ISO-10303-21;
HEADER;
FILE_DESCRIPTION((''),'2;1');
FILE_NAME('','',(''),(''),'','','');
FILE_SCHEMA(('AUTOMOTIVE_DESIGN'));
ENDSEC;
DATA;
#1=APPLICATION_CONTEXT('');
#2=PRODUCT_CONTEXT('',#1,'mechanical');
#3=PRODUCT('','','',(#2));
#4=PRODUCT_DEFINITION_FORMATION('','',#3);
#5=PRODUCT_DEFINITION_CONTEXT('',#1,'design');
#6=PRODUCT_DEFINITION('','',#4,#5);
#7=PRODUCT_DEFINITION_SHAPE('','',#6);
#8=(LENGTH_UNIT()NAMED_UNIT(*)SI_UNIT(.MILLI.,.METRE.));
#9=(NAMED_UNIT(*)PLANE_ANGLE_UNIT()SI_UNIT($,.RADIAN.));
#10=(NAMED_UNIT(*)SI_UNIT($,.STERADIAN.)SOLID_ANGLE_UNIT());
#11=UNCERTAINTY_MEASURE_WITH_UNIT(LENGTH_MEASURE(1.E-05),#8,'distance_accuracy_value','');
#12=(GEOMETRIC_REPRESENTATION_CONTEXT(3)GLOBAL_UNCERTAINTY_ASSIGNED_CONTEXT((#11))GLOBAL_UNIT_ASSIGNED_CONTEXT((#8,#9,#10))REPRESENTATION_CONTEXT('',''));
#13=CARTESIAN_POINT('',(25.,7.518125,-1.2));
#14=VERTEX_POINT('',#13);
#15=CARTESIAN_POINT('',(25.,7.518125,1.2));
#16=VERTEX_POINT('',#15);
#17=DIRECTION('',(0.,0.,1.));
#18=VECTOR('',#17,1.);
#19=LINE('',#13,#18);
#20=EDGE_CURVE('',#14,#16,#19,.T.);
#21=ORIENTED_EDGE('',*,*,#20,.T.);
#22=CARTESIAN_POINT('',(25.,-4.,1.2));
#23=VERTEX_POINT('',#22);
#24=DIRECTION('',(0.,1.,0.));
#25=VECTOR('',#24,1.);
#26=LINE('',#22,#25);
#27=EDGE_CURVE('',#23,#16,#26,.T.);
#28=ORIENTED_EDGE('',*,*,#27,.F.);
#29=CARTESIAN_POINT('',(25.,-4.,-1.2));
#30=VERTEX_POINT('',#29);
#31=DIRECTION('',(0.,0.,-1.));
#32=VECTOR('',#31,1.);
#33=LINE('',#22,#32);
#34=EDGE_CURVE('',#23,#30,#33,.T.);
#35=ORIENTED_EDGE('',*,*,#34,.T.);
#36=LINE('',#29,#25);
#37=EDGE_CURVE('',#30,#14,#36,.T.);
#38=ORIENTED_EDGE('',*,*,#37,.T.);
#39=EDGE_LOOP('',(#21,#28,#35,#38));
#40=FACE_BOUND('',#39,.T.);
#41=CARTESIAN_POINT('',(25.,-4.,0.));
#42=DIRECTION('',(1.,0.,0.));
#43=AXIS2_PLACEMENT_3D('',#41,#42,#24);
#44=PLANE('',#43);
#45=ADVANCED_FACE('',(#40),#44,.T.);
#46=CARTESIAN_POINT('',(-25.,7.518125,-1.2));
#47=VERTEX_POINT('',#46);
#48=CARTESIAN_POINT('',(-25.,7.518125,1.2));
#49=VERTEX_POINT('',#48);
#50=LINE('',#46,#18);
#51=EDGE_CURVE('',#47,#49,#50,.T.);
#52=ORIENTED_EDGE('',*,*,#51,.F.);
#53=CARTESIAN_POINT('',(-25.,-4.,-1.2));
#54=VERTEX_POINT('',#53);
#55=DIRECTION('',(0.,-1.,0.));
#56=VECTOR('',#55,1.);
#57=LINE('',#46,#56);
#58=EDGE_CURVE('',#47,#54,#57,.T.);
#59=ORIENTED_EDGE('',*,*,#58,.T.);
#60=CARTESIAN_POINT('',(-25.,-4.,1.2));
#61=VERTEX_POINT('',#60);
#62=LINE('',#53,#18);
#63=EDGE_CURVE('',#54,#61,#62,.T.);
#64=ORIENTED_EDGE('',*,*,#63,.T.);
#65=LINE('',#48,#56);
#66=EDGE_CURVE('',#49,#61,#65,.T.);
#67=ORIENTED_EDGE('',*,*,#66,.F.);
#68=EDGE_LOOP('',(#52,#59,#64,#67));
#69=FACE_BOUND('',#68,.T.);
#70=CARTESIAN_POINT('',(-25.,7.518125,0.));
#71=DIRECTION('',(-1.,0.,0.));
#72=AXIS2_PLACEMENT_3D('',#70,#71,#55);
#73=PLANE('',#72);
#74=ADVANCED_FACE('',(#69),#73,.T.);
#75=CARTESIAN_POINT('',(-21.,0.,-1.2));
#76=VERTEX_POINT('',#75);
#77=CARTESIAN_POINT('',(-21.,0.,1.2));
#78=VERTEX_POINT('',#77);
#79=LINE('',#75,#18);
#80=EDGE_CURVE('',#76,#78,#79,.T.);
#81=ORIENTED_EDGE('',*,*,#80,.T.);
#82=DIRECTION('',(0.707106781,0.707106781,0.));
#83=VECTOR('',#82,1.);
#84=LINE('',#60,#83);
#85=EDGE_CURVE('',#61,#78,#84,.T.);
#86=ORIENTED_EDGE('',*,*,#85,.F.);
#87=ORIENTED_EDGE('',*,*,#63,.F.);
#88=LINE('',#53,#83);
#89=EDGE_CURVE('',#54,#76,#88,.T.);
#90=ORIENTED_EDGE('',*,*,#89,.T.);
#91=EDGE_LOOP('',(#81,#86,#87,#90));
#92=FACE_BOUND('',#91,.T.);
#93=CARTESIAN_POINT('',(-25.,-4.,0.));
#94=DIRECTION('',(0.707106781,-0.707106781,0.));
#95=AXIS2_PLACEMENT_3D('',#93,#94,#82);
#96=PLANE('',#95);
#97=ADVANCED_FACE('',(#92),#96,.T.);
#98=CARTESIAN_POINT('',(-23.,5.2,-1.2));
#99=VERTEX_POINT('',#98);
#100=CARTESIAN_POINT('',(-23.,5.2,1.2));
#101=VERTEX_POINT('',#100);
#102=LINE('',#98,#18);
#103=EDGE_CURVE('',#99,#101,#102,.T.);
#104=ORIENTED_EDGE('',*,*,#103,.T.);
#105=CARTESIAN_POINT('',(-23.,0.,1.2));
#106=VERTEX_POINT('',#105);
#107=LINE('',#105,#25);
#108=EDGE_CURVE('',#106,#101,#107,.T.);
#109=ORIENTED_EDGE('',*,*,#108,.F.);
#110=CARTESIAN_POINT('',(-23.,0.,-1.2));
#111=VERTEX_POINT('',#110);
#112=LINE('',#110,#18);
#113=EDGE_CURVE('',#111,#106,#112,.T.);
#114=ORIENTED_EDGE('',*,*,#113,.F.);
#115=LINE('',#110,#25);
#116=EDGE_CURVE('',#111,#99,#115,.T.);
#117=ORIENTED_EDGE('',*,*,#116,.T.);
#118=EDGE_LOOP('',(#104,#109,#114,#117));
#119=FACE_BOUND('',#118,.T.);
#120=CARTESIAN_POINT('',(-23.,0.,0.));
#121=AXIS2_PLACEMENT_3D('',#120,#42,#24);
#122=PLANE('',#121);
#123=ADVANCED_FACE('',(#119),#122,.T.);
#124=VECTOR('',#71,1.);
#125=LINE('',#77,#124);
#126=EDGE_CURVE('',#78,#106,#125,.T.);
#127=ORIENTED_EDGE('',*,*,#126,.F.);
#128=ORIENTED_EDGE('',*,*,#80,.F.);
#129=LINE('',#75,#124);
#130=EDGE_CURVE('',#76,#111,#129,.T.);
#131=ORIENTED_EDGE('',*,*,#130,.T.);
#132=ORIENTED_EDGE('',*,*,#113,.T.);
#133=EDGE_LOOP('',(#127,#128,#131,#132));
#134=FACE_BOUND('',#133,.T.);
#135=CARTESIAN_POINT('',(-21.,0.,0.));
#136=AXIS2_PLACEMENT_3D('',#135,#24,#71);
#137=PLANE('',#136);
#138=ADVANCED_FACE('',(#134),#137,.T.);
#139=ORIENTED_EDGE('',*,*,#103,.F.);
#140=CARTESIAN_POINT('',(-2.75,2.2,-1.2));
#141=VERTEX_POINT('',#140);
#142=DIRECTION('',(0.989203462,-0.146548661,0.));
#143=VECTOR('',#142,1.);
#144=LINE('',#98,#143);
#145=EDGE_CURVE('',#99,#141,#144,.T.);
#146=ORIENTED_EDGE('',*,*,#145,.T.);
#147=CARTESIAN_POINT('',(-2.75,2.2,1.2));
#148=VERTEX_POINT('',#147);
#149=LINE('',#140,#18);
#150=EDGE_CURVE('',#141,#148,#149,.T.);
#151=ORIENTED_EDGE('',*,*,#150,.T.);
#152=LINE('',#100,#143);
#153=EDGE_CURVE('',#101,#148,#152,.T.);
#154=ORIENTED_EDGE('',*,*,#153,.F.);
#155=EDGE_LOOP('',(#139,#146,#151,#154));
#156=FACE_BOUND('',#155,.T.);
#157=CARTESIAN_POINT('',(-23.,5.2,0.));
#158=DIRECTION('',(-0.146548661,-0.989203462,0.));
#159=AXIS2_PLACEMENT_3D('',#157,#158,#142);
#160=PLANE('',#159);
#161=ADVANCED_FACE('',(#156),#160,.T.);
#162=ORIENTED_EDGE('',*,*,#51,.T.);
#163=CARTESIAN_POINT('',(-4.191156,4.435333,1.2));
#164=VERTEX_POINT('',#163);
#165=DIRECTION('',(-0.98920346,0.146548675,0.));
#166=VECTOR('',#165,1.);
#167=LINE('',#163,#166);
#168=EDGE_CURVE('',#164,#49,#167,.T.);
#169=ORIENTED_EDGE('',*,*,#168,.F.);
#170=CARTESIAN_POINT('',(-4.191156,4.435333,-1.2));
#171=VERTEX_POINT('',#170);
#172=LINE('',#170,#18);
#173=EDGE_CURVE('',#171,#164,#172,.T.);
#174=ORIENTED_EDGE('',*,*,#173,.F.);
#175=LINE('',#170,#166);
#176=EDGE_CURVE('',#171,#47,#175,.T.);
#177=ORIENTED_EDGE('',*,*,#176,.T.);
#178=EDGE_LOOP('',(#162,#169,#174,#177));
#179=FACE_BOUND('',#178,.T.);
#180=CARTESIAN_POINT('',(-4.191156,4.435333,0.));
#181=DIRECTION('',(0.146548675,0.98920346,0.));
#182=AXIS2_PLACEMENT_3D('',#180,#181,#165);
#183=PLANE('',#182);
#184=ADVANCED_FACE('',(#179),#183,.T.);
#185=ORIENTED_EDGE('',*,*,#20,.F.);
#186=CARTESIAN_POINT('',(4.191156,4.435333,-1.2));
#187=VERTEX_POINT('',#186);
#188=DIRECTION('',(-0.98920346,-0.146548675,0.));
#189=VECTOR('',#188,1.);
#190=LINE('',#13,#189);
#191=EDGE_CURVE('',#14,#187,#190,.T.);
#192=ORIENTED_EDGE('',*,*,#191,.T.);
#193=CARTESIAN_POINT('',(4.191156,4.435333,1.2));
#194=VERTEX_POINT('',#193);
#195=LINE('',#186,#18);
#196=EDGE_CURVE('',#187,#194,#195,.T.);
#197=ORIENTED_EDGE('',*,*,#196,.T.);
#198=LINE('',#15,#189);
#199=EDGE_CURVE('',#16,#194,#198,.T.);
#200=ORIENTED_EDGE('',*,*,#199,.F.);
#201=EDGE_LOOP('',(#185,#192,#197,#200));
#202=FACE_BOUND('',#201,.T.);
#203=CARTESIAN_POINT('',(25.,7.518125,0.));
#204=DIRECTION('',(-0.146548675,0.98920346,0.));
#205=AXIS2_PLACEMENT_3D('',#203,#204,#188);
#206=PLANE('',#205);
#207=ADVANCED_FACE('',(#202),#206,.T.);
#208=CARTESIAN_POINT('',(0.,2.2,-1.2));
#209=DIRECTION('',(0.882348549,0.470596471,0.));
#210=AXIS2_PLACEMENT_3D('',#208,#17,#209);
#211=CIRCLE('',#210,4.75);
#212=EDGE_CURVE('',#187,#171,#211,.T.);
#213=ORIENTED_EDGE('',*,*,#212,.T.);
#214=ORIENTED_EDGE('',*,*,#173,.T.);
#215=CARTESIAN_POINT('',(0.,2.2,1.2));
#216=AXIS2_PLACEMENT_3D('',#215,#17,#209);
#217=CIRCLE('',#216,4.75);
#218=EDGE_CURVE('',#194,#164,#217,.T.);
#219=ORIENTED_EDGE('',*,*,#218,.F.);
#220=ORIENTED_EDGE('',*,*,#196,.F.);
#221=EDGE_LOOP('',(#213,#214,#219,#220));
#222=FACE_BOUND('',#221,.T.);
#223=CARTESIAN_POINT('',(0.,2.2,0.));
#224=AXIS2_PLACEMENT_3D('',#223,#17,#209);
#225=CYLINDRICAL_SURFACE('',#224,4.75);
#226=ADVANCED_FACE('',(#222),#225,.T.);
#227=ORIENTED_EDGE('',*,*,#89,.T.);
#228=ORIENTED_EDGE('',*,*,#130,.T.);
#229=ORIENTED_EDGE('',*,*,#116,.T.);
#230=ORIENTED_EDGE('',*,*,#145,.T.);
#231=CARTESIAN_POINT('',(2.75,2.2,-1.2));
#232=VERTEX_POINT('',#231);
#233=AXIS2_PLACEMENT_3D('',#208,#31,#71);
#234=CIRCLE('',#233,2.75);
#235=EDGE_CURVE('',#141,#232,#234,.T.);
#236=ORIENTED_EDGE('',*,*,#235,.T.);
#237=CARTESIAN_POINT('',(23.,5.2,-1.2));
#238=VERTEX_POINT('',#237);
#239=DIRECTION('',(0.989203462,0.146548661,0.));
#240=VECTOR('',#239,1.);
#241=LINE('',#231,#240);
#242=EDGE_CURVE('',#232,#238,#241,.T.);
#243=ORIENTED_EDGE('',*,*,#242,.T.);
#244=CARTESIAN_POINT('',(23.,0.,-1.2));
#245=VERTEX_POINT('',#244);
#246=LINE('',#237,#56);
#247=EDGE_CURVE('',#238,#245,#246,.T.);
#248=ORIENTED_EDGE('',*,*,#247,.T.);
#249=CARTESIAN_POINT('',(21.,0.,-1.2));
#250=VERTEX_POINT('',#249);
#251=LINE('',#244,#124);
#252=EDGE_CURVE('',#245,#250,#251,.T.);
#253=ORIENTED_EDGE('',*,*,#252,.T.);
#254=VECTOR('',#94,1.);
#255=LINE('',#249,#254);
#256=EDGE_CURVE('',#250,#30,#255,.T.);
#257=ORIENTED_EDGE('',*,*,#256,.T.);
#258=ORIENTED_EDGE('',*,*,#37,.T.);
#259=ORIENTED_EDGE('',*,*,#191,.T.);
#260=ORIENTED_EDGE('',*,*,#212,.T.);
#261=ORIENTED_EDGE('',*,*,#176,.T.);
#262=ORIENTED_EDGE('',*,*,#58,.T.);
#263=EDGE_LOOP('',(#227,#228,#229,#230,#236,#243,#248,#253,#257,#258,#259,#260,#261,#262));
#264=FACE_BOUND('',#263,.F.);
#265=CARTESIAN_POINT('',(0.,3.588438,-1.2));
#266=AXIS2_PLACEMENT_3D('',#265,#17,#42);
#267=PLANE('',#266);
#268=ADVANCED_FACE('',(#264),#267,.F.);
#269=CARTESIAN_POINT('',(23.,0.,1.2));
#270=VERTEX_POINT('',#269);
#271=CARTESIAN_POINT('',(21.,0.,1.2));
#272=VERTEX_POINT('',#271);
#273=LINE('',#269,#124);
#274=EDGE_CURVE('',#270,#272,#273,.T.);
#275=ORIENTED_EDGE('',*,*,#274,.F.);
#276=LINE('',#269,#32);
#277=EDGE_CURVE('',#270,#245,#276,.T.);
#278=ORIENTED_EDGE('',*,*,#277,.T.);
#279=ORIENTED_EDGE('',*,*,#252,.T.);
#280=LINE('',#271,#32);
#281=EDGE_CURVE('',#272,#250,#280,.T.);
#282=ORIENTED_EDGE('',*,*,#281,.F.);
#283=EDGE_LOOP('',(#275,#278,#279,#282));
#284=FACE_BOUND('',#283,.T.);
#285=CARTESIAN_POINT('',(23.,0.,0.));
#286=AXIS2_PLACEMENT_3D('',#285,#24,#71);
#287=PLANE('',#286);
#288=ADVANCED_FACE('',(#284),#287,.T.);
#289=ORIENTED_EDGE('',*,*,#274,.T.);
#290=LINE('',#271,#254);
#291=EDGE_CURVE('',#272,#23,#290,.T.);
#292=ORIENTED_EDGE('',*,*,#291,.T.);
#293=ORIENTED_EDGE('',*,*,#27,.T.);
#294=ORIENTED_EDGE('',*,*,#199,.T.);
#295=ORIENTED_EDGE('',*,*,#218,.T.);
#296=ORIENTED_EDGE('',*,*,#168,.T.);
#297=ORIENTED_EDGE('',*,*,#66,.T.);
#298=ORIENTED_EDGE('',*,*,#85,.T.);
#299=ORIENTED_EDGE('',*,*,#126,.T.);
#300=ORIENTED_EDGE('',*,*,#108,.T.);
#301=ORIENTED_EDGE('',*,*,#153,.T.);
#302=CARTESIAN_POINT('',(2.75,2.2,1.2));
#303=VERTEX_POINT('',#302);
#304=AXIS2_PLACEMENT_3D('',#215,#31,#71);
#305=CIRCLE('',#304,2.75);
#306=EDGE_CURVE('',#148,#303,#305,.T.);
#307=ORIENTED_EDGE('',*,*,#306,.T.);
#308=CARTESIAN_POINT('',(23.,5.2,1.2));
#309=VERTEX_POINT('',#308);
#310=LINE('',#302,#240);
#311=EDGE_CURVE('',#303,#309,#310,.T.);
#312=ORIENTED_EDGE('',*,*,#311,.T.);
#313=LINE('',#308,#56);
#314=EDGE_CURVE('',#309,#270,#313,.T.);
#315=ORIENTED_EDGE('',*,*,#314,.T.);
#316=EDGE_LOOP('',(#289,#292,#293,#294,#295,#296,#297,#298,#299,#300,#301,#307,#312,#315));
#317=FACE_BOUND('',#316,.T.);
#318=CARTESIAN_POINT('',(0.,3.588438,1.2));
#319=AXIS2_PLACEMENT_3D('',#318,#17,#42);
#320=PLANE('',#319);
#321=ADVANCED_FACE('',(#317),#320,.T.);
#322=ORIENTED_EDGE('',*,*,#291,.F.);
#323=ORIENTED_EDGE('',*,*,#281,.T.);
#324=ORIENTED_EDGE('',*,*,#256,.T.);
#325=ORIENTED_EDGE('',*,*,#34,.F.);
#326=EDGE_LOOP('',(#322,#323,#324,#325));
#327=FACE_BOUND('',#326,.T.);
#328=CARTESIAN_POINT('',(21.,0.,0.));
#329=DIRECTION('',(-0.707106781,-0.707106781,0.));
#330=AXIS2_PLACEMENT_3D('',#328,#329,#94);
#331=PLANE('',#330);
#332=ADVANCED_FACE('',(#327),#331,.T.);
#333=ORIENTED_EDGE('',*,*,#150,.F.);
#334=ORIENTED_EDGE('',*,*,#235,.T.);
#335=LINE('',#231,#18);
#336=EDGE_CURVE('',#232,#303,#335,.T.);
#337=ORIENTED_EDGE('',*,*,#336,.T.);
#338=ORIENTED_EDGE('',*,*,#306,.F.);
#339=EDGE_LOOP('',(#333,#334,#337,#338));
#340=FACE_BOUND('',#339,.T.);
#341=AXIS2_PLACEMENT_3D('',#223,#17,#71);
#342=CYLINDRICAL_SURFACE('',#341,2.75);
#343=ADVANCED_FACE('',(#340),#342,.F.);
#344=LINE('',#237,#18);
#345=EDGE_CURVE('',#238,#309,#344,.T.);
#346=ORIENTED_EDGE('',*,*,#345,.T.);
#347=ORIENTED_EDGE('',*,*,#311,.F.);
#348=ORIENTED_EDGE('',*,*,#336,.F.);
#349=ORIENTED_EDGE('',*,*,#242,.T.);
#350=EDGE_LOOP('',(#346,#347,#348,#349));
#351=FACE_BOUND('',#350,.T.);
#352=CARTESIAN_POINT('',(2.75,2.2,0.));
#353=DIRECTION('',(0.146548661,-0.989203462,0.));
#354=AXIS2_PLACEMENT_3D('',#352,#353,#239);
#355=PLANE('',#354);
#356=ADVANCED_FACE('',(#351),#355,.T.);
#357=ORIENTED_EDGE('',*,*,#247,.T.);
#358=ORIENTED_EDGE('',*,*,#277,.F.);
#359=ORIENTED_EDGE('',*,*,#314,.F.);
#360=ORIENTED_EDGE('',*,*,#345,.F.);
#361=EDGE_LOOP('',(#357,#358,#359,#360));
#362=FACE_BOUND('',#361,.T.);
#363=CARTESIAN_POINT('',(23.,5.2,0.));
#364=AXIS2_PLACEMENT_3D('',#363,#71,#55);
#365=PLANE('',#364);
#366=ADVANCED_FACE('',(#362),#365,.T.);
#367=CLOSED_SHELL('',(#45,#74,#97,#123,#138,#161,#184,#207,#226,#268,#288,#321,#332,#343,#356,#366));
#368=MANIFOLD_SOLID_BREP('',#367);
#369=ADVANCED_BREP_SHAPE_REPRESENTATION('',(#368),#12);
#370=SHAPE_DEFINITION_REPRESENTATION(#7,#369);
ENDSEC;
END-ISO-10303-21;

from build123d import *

# Parameters (mm, degrees)
F1_DEPTH = 1.2


with BuildPart() as f1:
    # F0 (on Top) → F1 (new body, symmetric)
    with BuildSketch(Plane.XY):
        with BuildLine():
            Line((25, -4), (25, 7.518125))
            Line((25, 7.518125), (4.191156, 4.435333))
            ThreePointArc((4.191156, 4.435333), (0, 6.95), (-4.191156, 4.435333))
            Line((-4.191156, 4.435333), (-25, 7.518125))
            Line((-25, 7.518125), (-25, -4))
            Line((-25, -4), (-21, 0))
            Line((-21, 0), (-23, 0))
            Line((-23, 0), (-23, 5.2))
            Line((-23, 5.2), (-2.75, 2.2))
            ThreePointArc((-2.75, 2.2), (0, 4.95), (2.75, 2.2))
            Line((2.75, 2.2), (23, 5.2))
            Line((23, 5.2), (23, 0))
            Line((23, 0), (21, 0))
            Line((21, 0), (25, -4))
        make_face()
    extrude(amount=F1_DEPTH, both=True)


solid = f1.part
